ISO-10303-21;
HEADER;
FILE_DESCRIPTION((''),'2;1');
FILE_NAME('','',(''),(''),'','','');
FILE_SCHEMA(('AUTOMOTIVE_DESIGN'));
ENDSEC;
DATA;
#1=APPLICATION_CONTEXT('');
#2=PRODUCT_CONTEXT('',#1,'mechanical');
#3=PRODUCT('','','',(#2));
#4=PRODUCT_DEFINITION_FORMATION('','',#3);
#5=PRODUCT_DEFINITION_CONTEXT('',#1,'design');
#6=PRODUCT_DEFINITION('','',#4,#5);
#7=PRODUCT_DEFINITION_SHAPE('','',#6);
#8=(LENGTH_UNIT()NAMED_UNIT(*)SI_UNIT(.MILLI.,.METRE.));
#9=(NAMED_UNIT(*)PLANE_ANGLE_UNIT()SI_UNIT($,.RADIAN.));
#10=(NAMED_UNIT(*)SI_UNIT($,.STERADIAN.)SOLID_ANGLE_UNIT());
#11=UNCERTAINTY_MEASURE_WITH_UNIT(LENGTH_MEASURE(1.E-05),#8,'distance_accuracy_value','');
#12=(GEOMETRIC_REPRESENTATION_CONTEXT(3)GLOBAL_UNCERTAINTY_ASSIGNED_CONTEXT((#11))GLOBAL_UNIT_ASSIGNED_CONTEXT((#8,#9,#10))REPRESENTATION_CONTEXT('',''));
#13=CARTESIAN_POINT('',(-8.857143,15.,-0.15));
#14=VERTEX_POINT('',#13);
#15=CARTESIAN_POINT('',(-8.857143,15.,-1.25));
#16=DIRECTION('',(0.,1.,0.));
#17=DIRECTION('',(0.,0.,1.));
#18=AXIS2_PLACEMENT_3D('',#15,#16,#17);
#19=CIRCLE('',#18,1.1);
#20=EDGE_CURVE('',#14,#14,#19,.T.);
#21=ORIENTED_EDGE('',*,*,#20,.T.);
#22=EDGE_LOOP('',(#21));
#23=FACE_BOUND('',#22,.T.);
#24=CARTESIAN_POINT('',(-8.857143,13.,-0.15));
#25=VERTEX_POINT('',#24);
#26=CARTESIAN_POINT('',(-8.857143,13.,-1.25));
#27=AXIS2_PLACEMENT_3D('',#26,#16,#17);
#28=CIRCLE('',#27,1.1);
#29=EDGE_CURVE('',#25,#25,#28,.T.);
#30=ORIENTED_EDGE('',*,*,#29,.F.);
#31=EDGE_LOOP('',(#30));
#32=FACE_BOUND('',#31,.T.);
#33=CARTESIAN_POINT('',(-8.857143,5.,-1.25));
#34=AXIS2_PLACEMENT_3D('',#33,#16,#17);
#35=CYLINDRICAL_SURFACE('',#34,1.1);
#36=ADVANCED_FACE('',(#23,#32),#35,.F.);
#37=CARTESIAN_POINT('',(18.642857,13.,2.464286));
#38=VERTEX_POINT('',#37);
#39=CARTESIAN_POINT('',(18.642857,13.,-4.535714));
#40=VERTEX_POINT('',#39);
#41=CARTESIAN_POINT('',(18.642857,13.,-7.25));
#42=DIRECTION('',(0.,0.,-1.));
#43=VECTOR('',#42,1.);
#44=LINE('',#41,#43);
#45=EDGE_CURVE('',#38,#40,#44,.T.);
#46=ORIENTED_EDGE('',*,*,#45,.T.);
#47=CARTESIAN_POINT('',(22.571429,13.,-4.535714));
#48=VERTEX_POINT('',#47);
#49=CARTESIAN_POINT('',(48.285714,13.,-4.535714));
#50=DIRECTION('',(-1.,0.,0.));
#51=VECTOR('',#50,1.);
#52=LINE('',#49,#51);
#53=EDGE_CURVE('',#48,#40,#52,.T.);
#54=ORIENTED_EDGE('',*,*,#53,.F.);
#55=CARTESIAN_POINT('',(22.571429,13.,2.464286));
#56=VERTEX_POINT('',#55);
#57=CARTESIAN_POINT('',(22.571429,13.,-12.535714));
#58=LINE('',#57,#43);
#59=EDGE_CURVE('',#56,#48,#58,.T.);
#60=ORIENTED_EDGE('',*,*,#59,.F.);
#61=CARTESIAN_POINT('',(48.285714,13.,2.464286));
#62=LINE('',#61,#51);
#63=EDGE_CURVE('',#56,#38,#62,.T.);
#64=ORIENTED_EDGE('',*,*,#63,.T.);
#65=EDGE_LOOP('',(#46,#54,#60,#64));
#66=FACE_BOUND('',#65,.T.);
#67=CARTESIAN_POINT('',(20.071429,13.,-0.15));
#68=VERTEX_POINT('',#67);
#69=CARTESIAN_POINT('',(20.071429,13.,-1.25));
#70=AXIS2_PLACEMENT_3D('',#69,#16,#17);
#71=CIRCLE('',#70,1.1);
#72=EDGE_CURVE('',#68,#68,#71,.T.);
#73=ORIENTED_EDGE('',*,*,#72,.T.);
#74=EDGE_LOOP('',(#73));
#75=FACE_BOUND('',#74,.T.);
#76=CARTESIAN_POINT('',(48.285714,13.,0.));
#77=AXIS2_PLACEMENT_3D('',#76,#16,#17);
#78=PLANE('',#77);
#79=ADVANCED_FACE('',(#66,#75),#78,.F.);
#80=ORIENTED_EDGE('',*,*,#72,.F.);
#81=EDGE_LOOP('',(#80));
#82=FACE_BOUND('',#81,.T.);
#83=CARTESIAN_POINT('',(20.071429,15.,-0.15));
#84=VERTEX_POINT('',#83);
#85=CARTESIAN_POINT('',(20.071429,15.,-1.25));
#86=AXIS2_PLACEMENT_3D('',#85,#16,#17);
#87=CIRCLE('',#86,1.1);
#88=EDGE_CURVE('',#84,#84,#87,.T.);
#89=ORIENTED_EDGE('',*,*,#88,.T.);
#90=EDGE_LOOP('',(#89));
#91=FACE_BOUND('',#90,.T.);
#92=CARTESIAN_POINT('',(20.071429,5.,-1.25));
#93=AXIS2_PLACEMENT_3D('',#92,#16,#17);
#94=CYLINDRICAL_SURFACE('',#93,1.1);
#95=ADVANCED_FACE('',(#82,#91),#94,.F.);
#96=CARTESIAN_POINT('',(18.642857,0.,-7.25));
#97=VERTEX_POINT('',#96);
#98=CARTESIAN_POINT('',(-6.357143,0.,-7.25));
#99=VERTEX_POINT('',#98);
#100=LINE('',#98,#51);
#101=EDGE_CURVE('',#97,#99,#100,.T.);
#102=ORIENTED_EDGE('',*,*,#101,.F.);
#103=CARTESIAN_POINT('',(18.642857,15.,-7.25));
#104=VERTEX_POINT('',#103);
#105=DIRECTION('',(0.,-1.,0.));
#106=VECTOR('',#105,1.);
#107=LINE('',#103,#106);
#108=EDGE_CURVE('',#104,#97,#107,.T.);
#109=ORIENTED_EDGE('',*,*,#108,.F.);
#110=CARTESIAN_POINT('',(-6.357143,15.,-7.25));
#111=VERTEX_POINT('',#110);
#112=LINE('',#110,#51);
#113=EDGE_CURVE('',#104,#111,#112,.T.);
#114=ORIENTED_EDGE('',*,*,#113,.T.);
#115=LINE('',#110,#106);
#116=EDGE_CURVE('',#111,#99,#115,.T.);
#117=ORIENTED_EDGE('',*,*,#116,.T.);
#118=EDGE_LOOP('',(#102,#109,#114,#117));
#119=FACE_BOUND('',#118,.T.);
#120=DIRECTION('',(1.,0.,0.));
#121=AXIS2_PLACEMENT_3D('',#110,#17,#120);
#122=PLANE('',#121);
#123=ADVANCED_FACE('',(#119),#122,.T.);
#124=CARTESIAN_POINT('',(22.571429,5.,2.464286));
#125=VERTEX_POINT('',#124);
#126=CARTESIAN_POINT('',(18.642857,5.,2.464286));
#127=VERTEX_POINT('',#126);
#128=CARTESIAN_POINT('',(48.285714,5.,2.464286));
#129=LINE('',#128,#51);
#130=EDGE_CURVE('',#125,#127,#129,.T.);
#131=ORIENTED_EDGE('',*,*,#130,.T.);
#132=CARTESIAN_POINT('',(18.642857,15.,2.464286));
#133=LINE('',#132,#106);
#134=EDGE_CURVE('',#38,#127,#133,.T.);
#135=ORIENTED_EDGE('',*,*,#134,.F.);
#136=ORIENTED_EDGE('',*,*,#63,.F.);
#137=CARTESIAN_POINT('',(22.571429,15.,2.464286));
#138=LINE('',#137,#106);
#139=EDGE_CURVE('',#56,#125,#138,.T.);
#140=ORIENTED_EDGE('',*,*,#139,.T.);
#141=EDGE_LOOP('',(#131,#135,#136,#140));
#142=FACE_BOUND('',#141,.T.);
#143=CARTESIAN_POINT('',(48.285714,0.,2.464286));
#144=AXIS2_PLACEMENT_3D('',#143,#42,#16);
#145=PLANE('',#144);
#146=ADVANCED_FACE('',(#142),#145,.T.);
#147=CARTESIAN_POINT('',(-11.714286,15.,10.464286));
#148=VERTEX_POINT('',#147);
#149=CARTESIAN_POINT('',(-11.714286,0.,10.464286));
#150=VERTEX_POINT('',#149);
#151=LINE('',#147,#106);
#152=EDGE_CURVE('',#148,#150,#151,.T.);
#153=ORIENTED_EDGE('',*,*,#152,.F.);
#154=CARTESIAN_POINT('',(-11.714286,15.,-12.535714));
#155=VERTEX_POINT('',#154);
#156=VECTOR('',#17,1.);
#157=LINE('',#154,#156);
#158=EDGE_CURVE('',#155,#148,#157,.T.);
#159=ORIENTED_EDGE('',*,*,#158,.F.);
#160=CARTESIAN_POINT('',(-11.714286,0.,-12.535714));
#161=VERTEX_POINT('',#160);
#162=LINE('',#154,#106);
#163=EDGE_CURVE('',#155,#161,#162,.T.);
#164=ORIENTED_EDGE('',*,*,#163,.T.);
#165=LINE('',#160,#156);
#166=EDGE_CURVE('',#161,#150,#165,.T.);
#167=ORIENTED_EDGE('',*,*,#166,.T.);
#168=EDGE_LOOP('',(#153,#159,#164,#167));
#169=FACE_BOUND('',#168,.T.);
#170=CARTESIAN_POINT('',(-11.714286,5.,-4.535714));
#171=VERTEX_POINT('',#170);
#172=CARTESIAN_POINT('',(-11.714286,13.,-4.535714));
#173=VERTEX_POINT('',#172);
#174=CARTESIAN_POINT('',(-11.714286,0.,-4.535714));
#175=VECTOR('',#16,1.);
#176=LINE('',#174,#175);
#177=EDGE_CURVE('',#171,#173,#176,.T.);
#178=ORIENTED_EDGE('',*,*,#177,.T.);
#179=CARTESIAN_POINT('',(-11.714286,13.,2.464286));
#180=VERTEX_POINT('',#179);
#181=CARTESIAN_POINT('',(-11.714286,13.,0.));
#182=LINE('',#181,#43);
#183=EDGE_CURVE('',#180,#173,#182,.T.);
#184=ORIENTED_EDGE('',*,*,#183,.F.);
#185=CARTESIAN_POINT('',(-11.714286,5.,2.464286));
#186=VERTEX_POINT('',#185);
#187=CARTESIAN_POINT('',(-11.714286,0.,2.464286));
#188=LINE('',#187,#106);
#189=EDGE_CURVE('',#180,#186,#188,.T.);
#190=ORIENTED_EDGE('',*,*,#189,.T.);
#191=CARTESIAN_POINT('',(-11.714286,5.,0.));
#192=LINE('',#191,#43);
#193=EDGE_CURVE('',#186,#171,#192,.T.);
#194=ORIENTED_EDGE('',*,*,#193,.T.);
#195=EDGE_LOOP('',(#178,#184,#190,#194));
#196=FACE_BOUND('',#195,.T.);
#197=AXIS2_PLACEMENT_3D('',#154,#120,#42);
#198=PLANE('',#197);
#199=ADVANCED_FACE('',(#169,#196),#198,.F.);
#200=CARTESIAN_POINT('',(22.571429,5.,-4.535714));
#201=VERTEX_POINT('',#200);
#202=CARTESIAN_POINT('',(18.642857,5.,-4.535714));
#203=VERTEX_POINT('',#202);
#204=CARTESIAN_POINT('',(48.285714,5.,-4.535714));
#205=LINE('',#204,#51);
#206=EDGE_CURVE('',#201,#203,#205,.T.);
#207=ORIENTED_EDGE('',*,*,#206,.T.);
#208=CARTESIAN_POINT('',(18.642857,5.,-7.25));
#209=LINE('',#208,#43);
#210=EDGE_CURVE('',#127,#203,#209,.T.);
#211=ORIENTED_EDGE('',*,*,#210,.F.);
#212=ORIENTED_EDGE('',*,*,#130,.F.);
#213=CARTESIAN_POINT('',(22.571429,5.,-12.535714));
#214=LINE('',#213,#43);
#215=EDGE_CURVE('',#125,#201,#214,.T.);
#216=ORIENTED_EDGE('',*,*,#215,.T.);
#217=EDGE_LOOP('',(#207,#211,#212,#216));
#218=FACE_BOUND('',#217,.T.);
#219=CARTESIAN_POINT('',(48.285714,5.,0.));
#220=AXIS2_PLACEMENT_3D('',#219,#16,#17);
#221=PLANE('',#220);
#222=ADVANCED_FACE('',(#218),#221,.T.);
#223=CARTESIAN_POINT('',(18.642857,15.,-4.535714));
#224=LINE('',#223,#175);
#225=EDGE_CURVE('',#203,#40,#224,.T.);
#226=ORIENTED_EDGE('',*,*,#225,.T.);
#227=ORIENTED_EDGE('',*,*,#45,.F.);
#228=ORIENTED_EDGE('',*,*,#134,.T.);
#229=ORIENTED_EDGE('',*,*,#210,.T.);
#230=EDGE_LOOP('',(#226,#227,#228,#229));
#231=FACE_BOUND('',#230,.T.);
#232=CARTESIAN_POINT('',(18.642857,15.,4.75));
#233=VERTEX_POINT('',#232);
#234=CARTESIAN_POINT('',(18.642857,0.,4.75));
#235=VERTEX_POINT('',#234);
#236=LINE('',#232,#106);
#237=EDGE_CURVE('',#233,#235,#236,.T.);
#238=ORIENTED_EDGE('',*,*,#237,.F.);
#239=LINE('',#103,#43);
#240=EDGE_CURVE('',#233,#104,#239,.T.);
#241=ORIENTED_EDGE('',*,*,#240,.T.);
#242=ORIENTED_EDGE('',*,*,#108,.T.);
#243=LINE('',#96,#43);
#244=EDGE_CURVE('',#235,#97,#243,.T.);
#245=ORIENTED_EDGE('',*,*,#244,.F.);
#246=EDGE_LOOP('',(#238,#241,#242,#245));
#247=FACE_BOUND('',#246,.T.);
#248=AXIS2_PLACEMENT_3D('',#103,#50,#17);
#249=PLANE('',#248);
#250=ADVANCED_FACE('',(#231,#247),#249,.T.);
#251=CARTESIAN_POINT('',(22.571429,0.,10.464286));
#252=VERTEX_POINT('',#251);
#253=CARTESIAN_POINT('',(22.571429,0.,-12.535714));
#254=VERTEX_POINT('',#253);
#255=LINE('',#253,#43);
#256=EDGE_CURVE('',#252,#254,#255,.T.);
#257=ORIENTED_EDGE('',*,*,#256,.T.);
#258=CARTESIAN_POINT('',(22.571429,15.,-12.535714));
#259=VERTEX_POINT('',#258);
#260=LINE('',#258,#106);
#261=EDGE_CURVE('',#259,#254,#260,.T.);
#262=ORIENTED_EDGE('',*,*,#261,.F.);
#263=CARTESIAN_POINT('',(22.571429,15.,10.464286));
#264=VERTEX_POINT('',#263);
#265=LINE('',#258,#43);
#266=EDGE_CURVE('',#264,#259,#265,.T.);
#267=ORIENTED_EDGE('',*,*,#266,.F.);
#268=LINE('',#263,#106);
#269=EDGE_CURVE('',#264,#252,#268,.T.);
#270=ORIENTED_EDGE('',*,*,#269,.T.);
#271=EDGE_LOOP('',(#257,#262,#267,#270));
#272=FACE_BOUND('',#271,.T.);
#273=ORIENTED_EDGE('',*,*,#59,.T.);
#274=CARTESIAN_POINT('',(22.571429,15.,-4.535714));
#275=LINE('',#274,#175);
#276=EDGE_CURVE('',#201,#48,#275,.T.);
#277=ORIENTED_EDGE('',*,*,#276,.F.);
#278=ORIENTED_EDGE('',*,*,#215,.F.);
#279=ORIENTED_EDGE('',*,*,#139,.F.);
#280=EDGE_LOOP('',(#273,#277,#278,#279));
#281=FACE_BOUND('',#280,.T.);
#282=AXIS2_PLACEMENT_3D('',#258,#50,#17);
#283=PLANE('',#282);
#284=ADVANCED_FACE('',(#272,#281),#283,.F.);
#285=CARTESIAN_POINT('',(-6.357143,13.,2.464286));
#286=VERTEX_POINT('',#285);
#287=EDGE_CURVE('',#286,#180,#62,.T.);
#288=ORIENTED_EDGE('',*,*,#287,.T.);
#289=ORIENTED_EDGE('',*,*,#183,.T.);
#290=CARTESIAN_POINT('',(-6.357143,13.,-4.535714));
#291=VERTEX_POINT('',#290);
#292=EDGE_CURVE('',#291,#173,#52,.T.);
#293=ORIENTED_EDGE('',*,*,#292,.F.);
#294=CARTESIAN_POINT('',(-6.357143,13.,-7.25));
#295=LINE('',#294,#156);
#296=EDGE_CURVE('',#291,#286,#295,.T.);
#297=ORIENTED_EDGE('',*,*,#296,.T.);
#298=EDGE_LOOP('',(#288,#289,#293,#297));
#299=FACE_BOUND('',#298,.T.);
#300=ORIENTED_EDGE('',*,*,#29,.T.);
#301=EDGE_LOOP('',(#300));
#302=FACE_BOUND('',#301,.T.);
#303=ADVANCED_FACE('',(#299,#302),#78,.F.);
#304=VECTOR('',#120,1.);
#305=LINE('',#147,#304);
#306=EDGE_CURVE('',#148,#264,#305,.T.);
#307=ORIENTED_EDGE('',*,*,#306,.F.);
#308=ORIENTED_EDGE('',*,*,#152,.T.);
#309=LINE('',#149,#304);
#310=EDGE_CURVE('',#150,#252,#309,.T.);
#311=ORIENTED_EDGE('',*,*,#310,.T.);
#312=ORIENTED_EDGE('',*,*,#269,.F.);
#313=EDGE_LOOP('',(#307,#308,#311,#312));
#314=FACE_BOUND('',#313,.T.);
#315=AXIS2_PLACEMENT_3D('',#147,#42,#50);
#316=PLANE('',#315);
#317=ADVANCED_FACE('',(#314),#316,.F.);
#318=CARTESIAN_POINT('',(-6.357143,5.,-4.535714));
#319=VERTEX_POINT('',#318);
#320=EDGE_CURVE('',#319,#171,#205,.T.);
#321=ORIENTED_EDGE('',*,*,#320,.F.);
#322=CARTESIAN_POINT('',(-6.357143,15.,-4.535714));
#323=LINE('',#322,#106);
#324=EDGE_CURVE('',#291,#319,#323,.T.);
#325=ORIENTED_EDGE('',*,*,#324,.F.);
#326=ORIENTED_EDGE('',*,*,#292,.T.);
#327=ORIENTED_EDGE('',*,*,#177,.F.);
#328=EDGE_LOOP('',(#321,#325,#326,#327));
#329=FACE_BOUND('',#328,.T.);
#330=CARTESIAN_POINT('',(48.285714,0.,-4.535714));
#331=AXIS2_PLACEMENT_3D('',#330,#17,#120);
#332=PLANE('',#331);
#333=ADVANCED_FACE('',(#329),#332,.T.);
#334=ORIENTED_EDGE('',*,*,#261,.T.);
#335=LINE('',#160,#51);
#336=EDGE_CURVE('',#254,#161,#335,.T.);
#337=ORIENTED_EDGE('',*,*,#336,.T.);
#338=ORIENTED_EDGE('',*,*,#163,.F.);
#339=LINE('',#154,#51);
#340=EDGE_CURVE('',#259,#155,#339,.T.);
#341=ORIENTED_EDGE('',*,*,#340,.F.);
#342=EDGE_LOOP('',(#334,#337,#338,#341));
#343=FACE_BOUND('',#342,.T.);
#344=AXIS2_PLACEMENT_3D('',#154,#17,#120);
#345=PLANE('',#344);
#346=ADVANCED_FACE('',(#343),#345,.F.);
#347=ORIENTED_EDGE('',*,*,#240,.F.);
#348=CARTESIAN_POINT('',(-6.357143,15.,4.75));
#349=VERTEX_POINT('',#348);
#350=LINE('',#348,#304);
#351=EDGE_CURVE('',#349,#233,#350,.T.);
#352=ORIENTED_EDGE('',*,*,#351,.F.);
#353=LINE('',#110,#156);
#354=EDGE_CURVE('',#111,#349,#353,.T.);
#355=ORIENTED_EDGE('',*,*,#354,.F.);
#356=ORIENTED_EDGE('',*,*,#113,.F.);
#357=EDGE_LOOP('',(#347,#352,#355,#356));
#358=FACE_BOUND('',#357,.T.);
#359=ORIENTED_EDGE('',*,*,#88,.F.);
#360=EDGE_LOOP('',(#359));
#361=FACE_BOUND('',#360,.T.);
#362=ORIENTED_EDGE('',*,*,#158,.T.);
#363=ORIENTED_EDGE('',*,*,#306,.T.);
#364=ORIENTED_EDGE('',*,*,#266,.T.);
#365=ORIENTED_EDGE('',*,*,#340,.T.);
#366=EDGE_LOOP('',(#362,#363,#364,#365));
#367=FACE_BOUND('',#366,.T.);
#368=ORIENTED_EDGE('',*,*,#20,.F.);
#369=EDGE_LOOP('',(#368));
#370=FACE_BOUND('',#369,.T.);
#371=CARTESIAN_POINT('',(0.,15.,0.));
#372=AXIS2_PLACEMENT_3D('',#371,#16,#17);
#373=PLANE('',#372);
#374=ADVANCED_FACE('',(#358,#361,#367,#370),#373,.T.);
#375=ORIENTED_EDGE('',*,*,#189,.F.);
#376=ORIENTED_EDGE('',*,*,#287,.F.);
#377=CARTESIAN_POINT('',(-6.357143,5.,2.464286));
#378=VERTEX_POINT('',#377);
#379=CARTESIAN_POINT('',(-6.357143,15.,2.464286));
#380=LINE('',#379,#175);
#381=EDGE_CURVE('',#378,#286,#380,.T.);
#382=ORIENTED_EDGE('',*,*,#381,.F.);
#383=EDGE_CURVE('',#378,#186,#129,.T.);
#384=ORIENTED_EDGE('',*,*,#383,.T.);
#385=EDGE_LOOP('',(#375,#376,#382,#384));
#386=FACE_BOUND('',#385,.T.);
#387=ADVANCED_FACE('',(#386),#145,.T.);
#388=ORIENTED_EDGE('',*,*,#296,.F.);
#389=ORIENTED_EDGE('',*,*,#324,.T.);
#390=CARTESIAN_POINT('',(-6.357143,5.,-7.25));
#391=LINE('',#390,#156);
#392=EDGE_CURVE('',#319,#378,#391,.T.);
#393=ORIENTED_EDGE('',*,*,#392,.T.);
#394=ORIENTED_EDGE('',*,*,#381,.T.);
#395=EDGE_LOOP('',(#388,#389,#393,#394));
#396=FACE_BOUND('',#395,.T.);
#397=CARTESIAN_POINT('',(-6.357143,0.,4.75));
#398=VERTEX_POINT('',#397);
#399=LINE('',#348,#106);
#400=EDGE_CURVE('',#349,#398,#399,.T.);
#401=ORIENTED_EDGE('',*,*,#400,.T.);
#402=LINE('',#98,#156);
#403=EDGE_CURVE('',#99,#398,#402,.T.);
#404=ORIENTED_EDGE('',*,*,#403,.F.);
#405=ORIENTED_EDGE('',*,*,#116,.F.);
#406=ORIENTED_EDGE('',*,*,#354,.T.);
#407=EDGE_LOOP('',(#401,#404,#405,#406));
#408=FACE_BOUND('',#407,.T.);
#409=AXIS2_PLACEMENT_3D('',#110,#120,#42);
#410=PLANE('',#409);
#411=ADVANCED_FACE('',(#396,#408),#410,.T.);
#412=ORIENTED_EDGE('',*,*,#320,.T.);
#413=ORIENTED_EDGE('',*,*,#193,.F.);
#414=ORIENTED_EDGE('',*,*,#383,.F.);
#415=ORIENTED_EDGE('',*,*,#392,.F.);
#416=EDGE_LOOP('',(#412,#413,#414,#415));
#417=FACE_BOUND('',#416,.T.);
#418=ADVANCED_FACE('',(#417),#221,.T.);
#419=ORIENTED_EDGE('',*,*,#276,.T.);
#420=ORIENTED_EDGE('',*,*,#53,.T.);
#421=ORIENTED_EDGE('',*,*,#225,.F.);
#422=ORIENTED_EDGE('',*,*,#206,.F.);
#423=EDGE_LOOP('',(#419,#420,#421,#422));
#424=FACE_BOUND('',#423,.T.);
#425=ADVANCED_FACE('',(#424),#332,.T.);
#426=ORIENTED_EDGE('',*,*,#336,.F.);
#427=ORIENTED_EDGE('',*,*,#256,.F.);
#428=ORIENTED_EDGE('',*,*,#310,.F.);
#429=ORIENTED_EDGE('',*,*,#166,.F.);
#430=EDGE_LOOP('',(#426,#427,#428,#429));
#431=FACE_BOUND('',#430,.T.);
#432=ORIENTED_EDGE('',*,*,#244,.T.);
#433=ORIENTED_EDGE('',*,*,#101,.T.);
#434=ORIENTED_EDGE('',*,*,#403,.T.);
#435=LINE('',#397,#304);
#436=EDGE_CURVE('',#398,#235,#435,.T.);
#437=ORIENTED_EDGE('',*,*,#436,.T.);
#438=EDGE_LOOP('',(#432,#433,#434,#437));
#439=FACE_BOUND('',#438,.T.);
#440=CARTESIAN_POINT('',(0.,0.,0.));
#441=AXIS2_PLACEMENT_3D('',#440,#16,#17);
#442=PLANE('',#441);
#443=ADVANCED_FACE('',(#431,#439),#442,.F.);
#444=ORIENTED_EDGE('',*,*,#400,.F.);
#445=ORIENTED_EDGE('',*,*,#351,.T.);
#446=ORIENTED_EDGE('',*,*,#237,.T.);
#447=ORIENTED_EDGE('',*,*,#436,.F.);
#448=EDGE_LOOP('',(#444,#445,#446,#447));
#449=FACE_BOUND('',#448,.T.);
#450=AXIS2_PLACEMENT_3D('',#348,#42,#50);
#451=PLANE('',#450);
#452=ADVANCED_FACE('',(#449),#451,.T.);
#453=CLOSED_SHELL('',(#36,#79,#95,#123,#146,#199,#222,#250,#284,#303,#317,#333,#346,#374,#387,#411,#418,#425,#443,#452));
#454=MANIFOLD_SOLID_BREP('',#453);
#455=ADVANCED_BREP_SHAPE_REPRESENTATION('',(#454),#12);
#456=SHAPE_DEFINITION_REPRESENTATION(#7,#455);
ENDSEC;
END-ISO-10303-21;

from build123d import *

# Parameters (mm, degrees)
ESQUISSE1_W             = 34.285714285
ESQUISSE1_H             = 23
ESQUISSE1_W_2           = 25
ESQUISSE1_H_2           = 12
BOSS_EXTRU_1_DEPTH      = 15
ESQUISSE2_W             = 7
ESQUISSE2_H             = 8
ENL_V_MAT_EXTRU_1_DEPTH = 60
ESQUISSE3_R             = 1.1
ENL_V_MAT_EXTRU_2_DEPTH = 10


with BuildPart() as part:
    # Esquisse1 → Boss.-Extru.1 (new body)
    with BuildSketch(Plane(origin=(0, 0, 0), x_dir=(1, 0, 0), z_dir=(0, 1, 0))):
        with Locations((5.428571429, 1.035714286)):
            Rectangle(ESQUISSE1_W, ESQUISSE1_H)
        with Locations((6.142857143, 1.25)):
            Rectangle(ESQUISSE1_W_2, ESQUISSE1_H_2, mode=Mode.SUBTRACT)
    extrude(amount=BOSS_EXTRU_1_DEPTH)

    # Esquisse2 → Enlèv. mat.-Extru.1 (cut)
    with BuildSketch(Plane.ZY.offset(11.714285714)):
        with Locations((-1.035714286, 9)):
            Rectangle(ESQUISSE2_W, ESQUISSE2_H)
    extrude(amount=-ENL_V_MAT_EXTRU_1_DEPTH, mode=Mode.SUBTRACT)

    # Esquisse3 → Enlèv. mat.-Extru.2 (cut)
    with BuildSketch(Plane(origin=(0, 15, 0), x_dir=(1, 0, 0), z_dir=(0, 1, 0))):
        with Locations(Location((-8.857142857, 1.25, 0), (0, 0, 270))):
            Circle(ESQUISSE3_R)
        with Locations(Location((20.071428571, 1.25, 0), (0, 0, 270))):
            Circle(ESQUISSE3_R)
    extrude(amount=-ENL_V_MAT_EXTRU_2_DEPTH, mode=Mode.SUBTRACT)


solid = part.part
